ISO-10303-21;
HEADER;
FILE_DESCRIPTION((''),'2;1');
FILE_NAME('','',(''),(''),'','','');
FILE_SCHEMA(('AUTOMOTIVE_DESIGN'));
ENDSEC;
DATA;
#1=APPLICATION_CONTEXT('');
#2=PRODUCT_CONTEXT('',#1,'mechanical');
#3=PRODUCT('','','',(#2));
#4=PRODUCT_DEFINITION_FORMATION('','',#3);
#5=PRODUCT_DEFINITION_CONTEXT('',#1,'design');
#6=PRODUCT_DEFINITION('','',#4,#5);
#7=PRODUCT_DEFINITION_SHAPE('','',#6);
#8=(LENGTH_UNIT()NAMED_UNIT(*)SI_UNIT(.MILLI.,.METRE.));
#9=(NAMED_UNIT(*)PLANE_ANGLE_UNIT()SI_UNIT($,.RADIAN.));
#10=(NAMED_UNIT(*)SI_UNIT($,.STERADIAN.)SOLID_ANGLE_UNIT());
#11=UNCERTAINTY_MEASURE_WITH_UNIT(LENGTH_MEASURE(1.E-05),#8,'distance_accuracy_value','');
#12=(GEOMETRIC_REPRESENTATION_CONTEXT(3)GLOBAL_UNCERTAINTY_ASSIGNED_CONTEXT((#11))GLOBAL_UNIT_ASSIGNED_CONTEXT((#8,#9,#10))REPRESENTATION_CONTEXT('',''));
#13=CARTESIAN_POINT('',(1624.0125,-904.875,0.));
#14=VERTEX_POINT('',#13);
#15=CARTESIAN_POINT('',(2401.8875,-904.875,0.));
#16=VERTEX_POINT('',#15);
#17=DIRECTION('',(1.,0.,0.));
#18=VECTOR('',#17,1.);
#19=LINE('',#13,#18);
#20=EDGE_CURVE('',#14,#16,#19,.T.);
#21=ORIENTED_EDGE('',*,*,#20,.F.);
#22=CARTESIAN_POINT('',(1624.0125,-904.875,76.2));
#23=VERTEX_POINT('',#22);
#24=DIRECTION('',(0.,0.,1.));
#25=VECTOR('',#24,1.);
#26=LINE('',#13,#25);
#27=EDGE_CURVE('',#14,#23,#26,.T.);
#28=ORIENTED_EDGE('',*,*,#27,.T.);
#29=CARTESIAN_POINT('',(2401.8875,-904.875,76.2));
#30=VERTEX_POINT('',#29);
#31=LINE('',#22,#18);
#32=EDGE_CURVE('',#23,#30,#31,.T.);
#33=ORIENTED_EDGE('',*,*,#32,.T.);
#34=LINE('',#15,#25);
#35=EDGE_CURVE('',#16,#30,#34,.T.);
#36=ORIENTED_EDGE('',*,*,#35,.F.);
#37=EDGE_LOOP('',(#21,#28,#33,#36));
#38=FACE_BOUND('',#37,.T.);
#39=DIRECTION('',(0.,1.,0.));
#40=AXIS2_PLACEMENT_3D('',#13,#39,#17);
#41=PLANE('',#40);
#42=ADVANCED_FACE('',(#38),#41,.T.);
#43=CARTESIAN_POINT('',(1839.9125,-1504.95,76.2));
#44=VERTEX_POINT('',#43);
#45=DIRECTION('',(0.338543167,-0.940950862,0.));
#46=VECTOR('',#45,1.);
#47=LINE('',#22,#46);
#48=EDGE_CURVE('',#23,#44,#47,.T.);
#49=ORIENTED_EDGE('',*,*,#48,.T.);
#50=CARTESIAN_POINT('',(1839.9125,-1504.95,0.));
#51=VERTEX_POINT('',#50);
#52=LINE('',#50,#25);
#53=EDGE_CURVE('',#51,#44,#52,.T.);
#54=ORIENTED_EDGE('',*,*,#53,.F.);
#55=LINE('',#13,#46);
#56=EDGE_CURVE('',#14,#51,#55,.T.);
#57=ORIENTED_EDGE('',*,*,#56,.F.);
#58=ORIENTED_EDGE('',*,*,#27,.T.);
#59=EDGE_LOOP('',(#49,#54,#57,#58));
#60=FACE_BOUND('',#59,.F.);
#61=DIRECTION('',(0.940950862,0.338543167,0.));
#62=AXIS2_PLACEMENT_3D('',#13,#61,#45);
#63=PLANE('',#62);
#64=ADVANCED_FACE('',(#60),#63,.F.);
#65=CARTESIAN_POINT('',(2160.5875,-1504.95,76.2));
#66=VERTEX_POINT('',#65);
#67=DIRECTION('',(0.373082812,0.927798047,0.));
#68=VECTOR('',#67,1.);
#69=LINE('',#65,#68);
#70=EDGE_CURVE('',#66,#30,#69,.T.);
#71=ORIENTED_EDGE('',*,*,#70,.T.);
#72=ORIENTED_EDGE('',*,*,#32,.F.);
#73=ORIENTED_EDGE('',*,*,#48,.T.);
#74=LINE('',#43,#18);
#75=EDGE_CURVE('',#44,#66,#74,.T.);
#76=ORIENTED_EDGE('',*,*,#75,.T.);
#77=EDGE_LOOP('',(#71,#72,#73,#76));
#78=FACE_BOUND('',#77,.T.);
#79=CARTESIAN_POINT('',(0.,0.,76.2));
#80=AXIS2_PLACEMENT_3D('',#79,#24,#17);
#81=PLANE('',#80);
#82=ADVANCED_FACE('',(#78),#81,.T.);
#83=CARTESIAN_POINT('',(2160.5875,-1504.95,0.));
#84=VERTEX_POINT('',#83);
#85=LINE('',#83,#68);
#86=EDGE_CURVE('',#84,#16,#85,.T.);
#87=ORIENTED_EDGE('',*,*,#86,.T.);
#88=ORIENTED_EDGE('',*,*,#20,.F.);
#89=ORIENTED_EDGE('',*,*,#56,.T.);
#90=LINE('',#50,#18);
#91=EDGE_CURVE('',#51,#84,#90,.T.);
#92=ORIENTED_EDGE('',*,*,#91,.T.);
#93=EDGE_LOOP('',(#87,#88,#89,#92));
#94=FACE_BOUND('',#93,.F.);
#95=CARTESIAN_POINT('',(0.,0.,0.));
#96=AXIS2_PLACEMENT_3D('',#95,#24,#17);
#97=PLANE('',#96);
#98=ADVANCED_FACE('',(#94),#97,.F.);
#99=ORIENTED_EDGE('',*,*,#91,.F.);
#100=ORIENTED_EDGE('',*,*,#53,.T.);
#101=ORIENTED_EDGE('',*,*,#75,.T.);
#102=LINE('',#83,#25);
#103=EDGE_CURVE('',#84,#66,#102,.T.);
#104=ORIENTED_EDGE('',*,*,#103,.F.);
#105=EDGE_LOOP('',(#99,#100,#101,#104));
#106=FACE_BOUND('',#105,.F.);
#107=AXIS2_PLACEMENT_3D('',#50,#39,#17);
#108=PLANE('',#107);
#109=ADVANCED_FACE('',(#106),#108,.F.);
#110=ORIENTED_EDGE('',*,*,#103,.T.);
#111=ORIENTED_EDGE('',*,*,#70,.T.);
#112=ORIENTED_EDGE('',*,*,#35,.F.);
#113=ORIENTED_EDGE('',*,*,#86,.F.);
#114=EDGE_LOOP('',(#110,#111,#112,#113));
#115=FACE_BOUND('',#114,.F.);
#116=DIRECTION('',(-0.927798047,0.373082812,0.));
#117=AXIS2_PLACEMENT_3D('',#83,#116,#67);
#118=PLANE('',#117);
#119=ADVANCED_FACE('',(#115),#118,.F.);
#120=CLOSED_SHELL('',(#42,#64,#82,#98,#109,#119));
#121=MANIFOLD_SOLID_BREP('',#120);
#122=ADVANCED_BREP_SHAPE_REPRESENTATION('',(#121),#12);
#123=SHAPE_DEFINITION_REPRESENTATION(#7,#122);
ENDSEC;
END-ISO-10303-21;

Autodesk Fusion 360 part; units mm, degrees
sketch "Sketch1" plane through (0, 0, 0) normal (0, 0, 1) x (1, 0, 0)
  line L0 (0, 0) -> (0, -600.075)
  line L1 (0, -600.075) -> (744.5375, -600.075)
  line L2 (0, 0) -> (947.7375, 0)
  line L3 (947.7375, 0) -> (744.5375, -600.075)
  line L4 (1049.3375, -600.075) -> (2105.025, -600.075)
  line L5 (1049.3375, -600.075) -> (1252.5375, 0)
  line L6 (2105.025, -600.075) -> (1698.625, 0)
  line L7 (1252.5375, 0) -> (1698.625, 0)
  line L8 (2003.425, 0) -> (3025.775, 0)
  line L9 (2409.825, -600.075) -> (3025.775, -600.075)
  line L10 (3025.775, 0) -> (3025.775, -600.075)
  line L11 (2409.825, -600.075) -> (2003.425, 0)
  line L12 (0, -904.875) -> (0, -1504.95)
  line L13 (0, -1504.95) -> (376.2375, -1504.95)
  line L14 (376.2375, -1504.95) -> (528.6375, -904.875)
  line L15 (0, -904.875) -> (528.6375, -904.875)
  line L16 (579.4375, -1504.95) -> (1636.7125, -1504.95)
  line L17 (731.8375, -904.875) -> (1420.8125, -904.875)
  line L18 (579.4375, -1504.95) -> (731.8375, -904.875)
  line L19 (1420.8125, -904.875) -> (1636.7125, -1504.95)
  line L20 (1839.9125, -1504.95) -> (2160.5875, -1504.95)
  line L21 (1624.0125, -904.875) -> (2401.8875, -904.875)
  line L22 (1624.0125, -904.875) -> (1839.9125, -1504.95)
  line L23 (2160.5875, -1504.95) -> (2401.8875, -904.875)
  line L24 (2363.7875, -1504.95) -> (3019.425, -1504.95)
  line L25 (2605.0875, -904.875) -> (3019.425, -904.875)
  line L26 (3019.425, -904.875) -> (3019.425, -1504.95)
  line L27 (2605.0875, -904.875) -> (2363.7875, -1504.95)
  line L28 (0, -1809.75) -> (0, -2409.825)
  line L29 (0, -1809.75) -> (909.6375, -1809.75)
  line L30 (0, -2409.825) -> (795.3375, -2409.825)
  line L31 (795.3375, -2409.825) -> (909.6375, -1809.75)
  line L32 (1214.4375, -1809.75) -> (2017.7125, -1809.75)
  line L33 (1100.1375, -2409.825) -> (1878.0125, -2409.825)
  line L34 (1100.1375, -2409.825) -> (1214.4375, -1809.75)
  line L35 (1878.0125, -2409.825) -> (2017.7125, -1809.75)
  line L36 (2182.8125, -2409.825) -> (3028.95, -2409.825)
  line L37 (2322.5125, -1809.75) -> (3028.95, -1809.75)
  line L38 (2322.5125, -1809.75) -> (2182.8125, -2409.825)
  line L39 (3028.95, -1809.75) -> (3028.95, -2409.825)
  line L40 (0, -2714.625) -> (0, -3314.7)
  line L41 (0, -2714.625) -> (465.1375, -2714.625)
  line L42 (465.1375, -2714.625) -> (465.1375, -3314.7)
  line L43 (465.1375, -3314.7) -> (0, -3314.7)
  line L44 (668.3375, -3314.7) -> (1268.4125, -3314.7)
  line L45 (668.3375, -3314.7) -> (668.3375, -2714.625)
  line L46 (668.3375, -2714.625) -> (1458.9125, -2714.625)
  line L47 (1458.9125, -2714.625) -> (1268.4125, -3314.7)
  line L48 (1471.6125, -3314.7) -> (2236.7875, -3314.7)
  line L49 (1662.1125, -2714.625) -> (2528.8875, -2714.625)
  line L50 (1471.6125, -3314.7) -> (1662.1125, -2714.625)
  line L51 (2528.8875, -2714.625) -> (2236.7875, -3314.7)
  line L52 (2439.9875, -3314.7) -> (3019.425, -3314.7)
  line L53 (2732.0875, -2714.625) -> (3019.425, -2714.625)
  line L54 (2439.9875, -3314.7) -> (2732.0875, -2714.625)
  line L55 (3019.425, -2714.625) -> (3019.425, -3314.7)
  dimension "d1" = 600.075
  dimension "d2" = 744.5375
  dimension "d3" = 1055.6875
  dimension "d4" = 304.8
  dimension "d5" = 1022.35
  dimension "d6" = 615.95
  dimension "d7" = 0
  dimension "d8" = 304.8
  dimension "d9" = 376.2375
  dimension "d10" = 1057.275
  dimension "d11" = 203.2
  dimension "d12" = 688.975
  dimension "d13" = 320.675
  dimension "d14" = 777.875
  dimension "d15" = 203.2
  dimension "d16" = 655.6375
  dimension "d17" = 414.3375
  dimension "d18" = 203.2
  dimension "d19" = 0
  dimension "d20" = 0
  dimension "d21" = 909.6375
  dimension "d22" = 795.3375
  dimension "d23" = 803.275
  dimension "d24" = 777.875
  dimension "d25" = 304.8
  dimension "d26" = 846.1375
  dimension "d27" = 304.8
  dimension "d28" = 706.4375
  dimension "d29" = 304.8
  dimension "d30" = 947.7375
  dimension "d31" = 446.0875
  dimension "d32" = 528.6375
  dimension "d33" = 0
  dimension "d34" = 0
  dimension "d35" = 465.1375
  dimension "d36" = 600.075
  dimension "d37" = 203.2
  dimension "d38" = 790.575
  dimension "d39" = 765.175
  dimension "d40" = 203.2
  dimension "d41" = 866.775
  dimension "d42" = 579.4375
  dimension "d43" = 287.3375
  dimension "d44" = 203.2
extrude "Extrude1" add sketch "Sketch1" along normal blind 76.2 contours L20 L21 L22 L23
equation "d1 = 23 5/8\""
equation "d2 = 29 5/16\""
equation "d3 = 41 9/16\""
equation "d5 = 40 1/4\""
equation "d6 = 24 1/4\""
equation "d7 = d20"
equation "d9 = 14 13/16\""
equation "d12 = 27 1/8\""
equation "d13 = 12 5/8\""
equation "d14 = 30 5/8\""
equation "d16 = 25 13/16\""
equation "d17 = 16 5/16\""
equation "d19 = d20"
equation "d20 = d33"
equation "d21 = 35 13/16\""
equation "d22 = 31 5/16\""
equation "d23 = 31 5/8\""
equation "d24 = 30 5/8\""
equation "d26 = 33 5/16\""
equation "d28 = 27 13/16\""
equation "d30 = 37 5/16\""
equation "d31 = 17 9/16\""
equation "d32 = 20 13/16\""
equation "d33 = d33"
equation "d34 = d20"
equation "d35 = 18 5/16\""
equation "d36 = 23 5/8\""
equation "d38 = 31 1/8\""
equation "d41 = 34 1/8\""
